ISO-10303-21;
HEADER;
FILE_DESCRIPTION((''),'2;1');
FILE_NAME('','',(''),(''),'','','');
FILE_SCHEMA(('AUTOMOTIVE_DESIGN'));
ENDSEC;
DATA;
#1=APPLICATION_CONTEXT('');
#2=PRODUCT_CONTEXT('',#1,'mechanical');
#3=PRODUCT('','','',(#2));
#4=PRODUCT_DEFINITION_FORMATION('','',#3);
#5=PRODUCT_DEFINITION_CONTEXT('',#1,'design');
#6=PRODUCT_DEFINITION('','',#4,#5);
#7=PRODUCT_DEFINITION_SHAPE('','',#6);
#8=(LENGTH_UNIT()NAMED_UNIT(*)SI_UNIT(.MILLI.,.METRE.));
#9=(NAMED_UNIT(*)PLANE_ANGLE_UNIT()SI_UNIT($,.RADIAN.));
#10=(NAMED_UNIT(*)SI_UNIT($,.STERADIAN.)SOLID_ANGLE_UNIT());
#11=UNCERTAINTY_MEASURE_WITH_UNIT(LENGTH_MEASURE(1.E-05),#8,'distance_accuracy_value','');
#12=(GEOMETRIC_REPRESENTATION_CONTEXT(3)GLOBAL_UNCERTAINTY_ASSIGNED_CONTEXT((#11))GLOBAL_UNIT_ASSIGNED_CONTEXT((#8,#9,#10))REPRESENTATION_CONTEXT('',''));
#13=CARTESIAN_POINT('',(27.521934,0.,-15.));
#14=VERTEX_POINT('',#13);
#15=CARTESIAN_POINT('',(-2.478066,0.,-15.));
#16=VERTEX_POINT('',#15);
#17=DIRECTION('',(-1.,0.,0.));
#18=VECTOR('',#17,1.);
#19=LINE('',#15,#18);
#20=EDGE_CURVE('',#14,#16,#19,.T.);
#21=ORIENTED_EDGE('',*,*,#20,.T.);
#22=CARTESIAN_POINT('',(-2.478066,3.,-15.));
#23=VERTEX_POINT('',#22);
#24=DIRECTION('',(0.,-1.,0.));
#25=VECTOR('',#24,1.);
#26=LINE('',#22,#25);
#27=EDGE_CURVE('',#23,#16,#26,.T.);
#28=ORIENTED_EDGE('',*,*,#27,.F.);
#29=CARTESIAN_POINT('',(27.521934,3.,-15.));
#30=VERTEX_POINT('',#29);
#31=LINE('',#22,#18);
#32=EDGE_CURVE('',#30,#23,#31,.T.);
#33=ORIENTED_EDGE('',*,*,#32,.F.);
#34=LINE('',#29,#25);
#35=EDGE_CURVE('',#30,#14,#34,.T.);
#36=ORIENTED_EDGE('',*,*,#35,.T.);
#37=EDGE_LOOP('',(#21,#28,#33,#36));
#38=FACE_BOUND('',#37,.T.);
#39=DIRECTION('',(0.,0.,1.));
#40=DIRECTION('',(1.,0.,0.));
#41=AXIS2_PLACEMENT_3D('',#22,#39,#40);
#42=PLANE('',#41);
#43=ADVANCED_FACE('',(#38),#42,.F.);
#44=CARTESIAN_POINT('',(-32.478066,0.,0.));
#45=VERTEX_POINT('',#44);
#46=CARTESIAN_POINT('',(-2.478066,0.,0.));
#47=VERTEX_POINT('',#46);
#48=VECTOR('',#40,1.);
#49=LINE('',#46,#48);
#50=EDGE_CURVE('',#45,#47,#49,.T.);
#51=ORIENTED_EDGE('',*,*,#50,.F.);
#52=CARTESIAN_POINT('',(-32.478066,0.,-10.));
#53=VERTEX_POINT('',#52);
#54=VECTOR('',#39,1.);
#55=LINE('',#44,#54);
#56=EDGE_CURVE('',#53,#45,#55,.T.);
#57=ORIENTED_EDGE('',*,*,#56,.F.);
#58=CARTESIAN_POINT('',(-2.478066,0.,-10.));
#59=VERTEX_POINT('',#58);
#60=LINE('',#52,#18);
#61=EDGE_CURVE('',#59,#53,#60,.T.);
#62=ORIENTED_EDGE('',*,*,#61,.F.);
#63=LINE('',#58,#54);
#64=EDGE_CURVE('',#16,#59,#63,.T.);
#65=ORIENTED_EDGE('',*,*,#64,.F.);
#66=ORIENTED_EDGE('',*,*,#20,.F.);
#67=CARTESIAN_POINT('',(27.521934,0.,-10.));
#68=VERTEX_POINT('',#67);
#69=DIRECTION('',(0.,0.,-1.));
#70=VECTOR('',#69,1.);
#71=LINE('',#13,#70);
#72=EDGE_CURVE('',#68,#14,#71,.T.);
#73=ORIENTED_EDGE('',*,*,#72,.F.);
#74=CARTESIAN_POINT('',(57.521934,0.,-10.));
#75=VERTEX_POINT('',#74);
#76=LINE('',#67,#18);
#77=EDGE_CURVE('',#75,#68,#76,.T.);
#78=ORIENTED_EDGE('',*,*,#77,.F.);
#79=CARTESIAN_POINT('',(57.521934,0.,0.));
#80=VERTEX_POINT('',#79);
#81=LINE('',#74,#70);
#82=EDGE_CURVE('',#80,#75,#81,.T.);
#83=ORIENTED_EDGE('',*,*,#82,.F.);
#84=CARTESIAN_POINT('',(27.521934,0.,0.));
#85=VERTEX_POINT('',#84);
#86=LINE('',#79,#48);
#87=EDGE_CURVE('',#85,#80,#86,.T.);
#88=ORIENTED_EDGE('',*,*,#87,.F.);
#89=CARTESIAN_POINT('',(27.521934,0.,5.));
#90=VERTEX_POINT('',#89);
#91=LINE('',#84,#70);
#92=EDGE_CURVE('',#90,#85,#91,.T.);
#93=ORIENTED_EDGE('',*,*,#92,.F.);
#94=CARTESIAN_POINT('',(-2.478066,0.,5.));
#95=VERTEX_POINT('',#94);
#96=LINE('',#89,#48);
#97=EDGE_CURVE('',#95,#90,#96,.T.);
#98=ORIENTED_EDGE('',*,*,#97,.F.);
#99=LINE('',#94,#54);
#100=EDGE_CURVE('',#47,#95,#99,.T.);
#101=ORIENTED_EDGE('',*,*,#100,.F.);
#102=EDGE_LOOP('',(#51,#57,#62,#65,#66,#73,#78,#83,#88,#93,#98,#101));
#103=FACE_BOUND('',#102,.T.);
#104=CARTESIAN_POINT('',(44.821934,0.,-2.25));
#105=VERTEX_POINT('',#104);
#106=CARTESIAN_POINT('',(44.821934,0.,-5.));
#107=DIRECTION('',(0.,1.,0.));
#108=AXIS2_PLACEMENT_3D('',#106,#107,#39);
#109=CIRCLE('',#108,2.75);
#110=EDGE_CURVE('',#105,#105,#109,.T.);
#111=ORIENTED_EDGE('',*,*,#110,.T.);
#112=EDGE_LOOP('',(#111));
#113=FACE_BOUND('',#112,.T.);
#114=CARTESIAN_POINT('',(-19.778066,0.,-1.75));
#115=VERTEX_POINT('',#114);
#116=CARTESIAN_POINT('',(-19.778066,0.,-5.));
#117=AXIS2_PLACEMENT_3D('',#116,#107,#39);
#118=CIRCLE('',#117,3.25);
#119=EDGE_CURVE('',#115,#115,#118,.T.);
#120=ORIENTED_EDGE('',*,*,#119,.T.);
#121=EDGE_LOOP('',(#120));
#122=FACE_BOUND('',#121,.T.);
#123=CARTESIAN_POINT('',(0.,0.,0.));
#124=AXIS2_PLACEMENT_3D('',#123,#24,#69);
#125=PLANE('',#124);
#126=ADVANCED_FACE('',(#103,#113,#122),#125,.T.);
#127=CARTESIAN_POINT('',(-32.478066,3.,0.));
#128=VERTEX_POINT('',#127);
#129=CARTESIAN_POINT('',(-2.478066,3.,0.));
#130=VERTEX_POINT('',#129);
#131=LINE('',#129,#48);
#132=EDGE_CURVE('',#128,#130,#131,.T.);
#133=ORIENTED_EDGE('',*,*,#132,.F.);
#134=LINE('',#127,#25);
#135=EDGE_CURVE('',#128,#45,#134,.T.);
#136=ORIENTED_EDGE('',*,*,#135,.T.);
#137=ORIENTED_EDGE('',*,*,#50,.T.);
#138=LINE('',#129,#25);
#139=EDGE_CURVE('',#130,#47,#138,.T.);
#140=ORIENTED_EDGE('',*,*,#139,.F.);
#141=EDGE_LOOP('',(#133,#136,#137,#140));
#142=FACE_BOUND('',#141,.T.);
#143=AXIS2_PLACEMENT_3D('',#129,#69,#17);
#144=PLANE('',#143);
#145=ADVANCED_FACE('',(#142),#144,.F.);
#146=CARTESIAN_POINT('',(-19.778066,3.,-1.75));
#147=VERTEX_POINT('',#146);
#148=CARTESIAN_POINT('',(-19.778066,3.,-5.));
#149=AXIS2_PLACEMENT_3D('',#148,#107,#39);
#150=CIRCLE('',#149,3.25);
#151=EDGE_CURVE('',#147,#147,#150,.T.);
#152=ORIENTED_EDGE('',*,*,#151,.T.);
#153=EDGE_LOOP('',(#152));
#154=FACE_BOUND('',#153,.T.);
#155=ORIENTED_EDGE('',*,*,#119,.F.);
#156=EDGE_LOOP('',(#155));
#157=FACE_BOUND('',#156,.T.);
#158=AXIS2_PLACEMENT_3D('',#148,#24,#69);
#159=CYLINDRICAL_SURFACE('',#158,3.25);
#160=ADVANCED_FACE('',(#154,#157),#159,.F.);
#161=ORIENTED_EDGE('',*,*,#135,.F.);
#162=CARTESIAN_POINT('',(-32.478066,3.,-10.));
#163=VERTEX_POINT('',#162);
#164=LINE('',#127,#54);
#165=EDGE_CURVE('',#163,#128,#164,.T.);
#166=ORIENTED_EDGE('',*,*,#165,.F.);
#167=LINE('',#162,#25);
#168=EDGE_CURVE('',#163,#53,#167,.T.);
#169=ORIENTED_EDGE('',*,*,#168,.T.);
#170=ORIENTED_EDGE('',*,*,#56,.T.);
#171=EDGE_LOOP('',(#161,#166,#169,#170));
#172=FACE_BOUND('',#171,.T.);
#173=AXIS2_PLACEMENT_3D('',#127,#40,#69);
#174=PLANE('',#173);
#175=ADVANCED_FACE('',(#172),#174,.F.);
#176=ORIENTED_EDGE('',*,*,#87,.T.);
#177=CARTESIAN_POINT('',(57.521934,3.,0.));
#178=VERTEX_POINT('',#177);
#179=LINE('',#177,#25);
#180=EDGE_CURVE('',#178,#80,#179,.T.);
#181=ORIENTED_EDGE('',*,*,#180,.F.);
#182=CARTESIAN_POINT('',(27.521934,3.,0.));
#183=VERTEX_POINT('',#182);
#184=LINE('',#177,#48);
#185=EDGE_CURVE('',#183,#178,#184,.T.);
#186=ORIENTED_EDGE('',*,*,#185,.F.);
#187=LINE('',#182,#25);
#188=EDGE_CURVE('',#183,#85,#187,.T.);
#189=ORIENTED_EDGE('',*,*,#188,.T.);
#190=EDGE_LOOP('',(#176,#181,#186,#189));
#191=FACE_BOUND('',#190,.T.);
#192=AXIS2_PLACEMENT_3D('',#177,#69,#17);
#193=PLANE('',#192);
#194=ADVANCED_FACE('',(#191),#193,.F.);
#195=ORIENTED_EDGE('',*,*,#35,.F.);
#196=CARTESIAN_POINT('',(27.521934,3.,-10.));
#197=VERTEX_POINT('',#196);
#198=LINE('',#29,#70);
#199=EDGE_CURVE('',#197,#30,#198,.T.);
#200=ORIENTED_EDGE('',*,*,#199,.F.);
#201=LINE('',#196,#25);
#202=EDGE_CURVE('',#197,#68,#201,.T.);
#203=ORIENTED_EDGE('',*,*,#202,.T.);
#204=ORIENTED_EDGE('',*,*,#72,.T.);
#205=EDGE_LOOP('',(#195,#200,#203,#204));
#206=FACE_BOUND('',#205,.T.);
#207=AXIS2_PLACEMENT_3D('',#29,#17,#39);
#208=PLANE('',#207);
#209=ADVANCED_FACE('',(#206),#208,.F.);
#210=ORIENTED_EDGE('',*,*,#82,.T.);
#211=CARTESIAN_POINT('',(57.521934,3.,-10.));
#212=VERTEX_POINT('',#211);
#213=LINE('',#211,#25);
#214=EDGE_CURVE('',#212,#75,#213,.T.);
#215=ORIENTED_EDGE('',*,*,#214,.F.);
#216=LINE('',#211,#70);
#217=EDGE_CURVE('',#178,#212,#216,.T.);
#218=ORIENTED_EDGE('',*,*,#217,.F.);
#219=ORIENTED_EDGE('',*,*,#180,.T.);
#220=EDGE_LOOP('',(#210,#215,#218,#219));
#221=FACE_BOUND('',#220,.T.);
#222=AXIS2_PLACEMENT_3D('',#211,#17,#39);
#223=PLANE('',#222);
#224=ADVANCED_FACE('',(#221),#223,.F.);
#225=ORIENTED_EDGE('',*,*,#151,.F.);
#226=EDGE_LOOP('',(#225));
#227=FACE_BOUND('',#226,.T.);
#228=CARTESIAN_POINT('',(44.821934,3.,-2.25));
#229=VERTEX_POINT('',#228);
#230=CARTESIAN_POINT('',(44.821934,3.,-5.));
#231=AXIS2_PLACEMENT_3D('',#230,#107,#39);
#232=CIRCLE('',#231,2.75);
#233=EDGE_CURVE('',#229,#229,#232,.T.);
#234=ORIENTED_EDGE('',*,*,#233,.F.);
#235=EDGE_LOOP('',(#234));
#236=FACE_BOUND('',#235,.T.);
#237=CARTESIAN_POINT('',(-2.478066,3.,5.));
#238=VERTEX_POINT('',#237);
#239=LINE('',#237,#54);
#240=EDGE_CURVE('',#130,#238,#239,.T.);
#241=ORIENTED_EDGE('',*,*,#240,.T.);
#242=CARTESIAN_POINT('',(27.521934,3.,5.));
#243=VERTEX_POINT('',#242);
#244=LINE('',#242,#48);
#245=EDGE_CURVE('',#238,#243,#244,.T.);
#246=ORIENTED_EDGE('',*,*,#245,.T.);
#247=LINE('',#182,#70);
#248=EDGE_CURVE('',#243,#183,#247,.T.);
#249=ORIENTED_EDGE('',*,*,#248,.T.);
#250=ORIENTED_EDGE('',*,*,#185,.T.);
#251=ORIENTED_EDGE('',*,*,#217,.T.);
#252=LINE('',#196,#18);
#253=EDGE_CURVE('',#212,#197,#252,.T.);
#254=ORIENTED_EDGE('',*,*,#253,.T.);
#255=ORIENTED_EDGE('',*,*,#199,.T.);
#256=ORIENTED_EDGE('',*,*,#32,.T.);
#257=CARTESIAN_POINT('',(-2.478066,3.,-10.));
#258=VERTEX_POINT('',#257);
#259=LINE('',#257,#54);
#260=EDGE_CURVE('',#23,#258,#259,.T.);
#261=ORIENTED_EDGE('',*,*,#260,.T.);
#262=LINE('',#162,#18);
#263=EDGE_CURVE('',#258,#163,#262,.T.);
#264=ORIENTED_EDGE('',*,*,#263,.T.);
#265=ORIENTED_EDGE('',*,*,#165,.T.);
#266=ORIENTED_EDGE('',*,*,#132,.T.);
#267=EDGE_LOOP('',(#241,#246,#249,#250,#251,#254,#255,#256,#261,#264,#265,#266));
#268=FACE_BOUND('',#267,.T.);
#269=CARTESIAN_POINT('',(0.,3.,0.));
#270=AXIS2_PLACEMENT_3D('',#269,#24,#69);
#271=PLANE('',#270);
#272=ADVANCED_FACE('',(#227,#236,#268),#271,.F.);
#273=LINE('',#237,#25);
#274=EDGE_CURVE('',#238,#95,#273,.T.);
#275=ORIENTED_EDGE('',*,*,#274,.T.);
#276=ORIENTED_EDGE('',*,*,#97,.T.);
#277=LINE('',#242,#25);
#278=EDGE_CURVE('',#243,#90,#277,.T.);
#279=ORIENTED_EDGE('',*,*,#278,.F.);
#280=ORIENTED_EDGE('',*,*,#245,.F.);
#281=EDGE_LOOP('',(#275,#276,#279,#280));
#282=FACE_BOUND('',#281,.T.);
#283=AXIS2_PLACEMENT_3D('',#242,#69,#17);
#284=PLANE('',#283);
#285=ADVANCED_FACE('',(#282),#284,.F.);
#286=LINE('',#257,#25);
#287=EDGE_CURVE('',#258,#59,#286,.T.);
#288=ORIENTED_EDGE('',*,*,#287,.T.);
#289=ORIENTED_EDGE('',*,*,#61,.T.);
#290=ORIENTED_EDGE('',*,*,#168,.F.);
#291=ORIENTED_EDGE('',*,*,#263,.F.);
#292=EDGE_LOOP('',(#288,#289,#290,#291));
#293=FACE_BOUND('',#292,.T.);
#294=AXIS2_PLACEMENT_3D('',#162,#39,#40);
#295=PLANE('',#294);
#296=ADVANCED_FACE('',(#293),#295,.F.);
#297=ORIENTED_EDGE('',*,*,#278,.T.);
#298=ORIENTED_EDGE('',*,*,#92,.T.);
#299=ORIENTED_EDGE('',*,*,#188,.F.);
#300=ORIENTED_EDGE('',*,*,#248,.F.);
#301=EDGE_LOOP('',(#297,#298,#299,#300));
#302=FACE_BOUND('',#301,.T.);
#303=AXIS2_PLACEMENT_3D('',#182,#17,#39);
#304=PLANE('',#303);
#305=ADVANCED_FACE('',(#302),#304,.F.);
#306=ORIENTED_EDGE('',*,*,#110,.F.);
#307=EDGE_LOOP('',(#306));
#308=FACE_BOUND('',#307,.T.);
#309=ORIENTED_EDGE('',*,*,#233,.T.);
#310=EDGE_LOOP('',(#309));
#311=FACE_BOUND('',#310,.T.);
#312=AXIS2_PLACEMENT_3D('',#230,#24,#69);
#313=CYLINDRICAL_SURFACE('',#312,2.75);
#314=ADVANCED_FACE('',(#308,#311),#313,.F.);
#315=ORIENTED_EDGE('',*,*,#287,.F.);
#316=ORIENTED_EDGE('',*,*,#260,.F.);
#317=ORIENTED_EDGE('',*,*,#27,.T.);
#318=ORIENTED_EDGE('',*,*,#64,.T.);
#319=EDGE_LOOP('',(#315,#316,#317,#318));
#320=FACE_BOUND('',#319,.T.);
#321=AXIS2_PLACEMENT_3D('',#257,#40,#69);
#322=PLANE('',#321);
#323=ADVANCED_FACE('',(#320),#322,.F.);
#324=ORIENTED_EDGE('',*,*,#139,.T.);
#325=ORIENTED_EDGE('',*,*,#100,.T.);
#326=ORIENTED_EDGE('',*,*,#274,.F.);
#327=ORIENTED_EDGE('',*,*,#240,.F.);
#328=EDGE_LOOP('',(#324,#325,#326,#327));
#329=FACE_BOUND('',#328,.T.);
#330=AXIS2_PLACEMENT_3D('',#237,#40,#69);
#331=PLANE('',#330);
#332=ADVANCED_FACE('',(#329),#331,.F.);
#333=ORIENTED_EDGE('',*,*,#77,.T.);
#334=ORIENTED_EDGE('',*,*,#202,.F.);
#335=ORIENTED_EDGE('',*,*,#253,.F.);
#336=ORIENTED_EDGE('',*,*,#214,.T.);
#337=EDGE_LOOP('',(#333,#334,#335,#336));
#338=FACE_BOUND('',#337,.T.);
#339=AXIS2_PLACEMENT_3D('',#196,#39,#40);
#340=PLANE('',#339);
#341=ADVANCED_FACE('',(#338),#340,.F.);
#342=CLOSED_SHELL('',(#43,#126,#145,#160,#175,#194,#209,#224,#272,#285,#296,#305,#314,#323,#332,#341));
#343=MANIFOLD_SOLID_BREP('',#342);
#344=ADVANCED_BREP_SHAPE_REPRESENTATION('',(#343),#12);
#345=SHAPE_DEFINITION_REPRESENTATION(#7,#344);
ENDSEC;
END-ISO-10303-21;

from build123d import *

# Parameters (mm, degrees)
SKETCH1_R           = 3.25
SKETCH1_R_2         = 2.75
BOSS_EXTRUDE1_DEPTH = 3


with BuildPart() as part:
    # Sketch1 → Boss-Extrude1 (new body)
    with BuildSketch(Plane(origin=(0, 0, 0), x_dir=(1, 0, 0), z_dir=(0, 1, 0))):
        Polygon((-32.478065847, 0), (-32.478065847, 10), (-2.478065847, 10), (-2.478065847, 15), (27.521934153, 15), (27.521934153, 10), (57.521934153, 10), (57.521934153, 0), (27.521934153, 0), (27.521934153, -5), (-2.478065847, -5), (-2.478065847, 0), align=None)
        with Locations((-19.778065847, 5)):
            Circle(SKETCH1_R, mode=Mode.SUBTRACT)
        with Locations((44.821934153, 5)):
            Circle(SKETCH1_R_2, mode=Mode.SUBTRACT)
    extrude(amount=BOSS_EXTRUDE1_DEPTH)


solid = part.part
